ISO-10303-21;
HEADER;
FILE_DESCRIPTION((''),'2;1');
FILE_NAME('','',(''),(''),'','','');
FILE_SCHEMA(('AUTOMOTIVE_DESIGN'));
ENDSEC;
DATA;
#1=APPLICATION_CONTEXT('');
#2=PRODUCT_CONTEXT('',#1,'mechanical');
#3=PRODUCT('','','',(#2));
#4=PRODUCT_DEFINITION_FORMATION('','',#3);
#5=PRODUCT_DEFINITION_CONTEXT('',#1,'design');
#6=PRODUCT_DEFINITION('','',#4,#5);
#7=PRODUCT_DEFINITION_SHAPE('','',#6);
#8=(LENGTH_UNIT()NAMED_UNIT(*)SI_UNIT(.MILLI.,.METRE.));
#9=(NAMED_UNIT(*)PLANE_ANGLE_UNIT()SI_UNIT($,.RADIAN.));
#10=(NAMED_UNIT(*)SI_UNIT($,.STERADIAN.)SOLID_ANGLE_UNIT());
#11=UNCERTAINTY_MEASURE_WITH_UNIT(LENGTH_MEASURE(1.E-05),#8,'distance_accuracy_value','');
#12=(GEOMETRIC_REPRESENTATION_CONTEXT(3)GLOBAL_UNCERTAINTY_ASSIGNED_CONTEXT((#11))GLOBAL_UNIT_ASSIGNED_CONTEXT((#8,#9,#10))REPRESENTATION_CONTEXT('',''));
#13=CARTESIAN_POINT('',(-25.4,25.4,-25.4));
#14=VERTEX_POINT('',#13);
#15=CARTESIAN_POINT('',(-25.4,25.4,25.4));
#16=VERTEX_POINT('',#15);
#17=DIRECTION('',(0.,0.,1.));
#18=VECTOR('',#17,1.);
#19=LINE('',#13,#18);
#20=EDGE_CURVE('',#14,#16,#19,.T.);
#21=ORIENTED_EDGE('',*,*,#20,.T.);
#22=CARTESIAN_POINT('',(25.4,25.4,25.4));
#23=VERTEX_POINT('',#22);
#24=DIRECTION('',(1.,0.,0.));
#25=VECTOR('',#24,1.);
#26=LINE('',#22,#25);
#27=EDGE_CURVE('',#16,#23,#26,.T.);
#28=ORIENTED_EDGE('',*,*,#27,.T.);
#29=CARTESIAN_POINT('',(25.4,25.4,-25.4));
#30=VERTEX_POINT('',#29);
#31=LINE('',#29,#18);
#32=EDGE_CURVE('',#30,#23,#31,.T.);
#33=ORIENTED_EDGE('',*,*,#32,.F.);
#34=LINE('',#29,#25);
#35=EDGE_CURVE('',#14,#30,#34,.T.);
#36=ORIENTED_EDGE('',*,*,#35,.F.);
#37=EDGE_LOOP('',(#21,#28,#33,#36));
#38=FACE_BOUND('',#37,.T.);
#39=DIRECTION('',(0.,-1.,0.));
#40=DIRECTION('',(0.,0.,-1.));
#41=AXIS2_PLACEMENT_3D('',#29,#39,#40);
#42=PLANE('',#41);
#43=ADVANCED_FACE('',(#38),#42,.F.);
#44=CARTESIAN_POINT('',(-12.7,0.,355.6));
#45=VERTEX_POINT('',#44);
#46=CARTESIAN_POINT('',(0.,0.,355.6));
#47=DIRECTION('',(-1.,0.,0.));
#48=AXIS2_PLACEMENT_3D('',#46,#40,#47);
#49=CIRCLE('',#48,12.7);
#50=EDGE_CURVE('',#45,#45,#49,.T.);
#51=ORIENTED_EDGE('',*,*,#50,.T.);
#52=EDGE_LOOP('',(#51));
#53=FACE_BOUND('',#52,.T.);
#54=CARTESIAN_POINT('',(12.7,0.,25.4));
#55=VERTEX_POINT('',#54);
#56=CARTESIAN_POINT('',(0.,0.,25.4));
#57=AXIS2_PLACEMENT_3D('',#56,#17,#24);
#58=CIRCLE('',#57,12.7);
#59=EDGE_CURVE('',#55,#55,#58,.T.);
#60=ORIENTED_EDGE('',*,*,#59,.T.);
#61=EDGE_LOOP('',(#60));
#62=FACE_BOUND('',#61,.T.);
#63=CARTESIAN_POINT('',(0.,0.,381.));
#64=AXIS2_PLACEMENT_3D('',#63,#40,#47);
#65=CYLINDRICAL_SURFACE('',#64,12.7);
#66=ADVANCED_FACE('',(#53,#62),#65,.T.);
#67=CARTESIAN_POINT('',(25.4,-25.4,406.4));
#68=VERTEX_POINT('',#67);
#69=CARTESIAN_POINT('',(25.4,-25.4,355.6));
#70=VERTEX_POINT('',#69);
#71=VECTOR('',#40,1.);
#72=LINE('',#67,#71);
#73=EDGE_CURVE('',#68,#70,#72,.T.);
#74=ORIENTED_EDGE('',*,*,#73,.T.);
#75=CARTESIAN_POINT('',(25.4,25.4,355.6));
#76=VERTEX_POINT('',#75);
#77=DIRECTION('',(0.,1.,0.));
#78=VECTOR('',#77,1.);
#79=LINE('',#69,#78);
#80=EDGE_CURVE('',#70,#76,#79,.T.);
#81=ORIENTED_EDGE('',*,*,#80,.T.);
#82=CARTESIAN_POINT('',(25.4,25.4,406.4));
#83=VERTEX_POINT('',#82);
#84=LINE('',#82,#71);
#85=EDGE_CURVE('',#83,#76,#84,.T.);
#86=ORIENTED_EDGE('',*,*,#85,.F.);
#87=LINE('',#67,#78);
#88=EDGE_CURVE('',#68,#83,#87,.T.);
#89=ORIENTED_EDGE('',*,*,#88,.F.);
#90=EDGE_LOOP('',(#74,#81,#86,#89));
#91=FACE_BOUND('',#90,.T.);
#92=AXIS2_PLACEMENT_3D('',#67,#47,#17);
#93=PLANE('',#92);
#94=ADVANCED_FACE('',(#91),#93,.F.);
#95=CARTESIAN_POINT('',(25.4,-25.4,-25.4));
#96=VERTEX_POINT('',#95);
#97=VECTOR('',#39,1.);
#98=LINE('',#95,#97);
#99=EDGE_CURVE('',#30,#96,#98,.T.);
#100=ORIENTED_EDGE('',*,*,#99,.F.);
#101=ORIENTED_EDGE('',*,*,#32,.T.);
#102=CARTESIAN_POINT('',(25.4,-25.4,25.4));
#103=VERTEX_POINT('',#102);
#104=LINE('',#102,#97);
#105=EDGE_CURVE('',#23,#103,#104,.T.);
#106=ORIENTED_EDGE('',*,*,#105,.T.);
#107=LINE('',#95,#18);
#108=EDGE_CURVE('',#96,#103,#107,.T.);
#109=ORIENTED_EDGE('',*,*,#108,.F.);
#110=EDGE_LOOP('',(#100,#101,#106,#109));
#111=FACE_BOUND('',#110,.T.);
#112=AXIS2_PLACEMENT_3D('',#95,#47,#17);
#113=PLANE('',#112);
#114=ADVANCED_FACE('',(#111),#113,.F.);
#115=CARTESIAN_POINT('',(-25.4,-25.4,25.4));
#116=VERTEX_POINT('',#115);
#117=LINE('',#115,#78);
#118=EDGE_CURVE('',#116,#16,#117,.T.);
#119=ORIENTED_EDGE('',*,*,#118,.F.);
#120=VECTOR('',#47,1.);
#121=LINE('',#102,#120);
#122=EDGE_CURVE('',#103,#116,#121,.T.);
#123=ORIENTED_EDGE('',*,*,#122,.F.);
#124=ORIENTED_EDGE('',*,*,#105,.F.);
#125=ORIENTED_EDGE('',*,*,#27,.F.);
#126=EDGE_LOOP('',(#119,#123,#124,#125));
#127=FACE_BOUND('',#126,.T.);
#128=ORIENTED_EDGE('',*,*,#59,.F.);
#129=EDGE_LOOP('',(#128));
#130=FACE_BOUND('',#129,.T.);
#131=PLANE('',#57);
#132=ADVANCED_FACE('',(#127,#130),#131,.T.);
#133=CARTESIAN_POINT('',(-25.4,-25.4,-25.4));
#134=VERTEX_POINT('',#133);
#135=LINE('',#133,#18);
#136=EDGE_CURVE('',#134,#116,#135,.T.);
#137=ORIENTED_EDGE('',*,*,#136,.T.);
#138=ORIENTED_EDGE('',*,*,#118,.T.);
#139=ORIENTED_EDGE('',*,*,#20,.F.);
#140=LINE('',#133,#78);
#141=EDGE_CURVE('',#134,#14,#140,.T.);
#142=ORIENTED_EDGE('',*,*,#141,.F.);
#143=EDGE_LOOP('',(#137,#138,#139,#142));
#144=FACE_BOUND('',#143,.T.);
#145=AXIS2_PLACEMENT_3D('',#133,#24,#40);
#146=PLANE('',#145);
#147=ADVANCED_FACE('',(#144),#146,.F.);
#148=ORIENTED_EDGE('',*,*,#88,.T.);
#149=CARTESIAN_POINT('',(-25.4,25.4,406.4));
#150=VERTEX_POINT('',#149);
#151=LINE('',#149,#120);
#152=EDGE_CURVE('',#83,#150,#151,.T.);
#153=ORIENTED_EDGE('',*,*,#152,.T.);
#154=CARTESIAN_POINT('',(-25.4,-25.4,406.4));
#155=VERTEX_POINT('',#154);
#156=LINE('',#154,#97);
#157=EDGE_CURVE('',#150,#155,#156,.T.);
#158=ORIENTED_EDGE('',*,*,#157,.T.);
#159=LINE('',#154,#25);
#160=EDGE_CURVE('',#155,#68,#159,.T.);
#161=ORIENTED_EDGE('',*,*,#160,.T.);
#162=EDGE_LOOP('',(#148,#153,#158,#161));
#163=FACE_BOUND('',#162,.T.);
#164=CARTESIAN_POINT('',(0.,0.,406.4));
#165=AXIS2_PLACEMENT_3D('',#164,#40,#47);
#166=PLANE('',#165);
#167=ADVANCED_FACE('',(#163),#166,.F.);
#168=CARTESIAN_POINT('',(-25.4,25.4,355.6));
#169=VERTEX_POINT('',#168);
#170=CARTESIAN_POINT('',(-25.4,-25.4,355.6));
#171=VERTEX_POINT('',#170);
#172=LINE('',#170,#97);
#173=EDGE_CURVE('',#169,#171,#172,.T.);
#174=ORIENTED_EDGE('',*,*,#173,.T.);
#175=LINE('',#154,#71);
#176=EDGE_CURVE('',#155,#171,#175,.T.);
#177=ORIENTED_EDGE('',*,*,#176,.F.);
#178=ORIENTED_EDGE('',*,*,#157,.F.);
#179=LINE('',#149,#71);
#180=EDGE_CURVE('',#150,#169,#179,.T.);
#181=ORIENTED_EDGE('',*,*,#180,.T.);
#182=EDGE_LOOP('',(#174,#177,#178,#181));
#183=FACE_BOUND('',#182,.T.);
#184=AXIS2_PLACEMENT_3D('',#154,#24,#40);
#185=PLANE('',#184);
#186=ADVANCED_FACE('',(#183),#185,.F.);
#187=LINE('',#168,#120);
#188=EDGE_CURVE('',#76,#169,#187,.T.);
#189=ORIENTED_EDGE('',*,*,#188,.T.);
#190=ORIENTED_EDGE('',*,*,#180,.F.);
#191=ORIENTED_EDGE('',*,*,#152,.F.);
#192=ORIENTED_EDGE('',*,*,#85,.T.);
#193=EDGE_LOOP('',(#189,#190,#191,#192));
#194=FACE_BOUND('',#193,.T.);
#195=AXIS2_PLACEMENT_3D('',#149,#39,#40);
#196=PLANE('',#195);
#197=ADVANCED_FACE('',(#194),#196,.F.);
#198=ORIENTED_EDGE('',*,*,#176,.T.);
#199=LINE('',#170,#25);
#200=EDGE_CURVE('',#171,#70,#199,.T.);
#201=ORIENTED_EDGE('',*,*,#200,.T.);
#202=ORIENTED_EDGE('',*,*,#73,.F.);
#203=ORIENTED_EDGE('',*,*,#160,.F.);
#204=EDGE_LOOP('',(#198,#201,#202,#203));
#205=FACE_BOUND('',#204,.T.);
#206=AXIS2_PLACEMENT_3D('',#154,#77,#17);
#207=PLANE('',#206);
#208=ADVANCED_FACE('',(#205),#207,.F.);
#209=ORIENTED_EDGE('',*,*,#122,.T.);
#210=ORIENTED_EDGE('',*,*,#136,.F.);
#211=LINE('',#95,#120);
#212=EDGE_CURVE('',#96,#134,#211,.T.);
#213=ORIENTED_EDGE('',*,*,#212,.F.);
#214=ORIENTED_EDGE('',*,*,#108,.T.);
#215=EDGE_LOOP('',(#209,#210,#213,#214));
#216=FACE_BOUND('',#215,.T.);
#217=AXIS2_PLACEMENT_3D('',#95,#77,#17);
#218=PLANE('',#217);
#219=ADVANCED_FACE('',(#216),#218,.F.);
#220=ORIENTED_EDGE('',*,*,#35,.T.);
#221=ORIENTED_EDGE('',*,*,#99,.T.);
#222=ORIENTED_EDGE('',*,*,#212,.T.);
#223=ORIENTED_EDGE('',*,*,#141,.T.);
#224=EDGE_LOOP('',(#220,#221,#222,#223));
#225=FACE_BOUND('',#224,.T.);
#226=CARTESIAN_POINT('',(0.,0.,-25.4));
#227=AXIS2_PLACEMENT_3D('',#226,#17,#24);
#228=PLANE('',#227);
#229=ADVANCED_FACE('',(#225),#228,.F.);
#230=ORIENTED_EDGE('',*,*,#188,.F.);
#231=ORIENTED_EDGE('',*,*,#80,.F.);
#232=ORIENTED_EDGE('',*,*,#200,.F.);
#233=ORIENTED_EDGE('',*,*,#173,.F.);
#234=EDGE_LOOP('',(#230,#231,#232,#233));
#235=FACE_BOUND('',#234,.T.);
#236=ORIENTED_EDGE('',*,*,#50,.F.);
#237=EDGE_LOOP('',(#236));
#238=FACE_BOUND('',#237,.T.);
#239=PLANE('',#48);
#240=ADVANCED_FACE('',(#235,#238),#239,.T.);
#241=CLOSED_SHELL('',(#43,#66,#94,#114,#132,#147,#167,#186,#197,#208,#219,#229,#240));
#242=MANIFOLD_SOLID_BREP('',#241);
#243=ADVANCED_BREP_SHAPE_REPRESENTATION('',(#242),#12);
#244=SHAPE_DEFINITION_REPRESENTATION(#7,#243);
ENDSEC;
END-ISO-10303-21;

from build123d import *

# Parameters (mm, degrees)
SKETCH3_R           = 12.7
BOSS_EXTRUDE1_DEPTH = 381
SKETCH4_W           = 50.8
SKETCH4_H           = 50.8
BOSS_EXTRUDE2_DEPTH = 25.4
SKETCH5_W           = 50.8
SKETCH5_H           = 50.8
BOSS_EXTRUDE3_DEPTH = 25.4


with BuildPart() as part:
    # Sketch3 → Boss-Extrude1 (new body)
    with BuildSketch(Plane.XY):
        Circle(SKETCH3_R)
    extrude(amount=BOSS_EXTRUDE1_DEPTH)

    # Sketch4 → Boss-Extrude2 (add, symmetric)
    with BuildSketch(Plane(origin=(0, 0, 0), x_dir=(-1, 0, 0), z_dir=(0, 0, -1))):
        Rectangle(SKETCH4_W, SKETCH4_H)
    extrude(amount=BOSS_EXTRUDE2_DEPTH, both=True)

    # Sketch5 → Boss-Extrude3 (add, symmetric)
    with BuildSketch(Plane.XY.offset(381)):
        Rectangle(SKETCH5_W, SKETCH5_H)
    extrude(amount=BOSS_EXTRUDE3_DEPTH, both=True)


solid = part.part
